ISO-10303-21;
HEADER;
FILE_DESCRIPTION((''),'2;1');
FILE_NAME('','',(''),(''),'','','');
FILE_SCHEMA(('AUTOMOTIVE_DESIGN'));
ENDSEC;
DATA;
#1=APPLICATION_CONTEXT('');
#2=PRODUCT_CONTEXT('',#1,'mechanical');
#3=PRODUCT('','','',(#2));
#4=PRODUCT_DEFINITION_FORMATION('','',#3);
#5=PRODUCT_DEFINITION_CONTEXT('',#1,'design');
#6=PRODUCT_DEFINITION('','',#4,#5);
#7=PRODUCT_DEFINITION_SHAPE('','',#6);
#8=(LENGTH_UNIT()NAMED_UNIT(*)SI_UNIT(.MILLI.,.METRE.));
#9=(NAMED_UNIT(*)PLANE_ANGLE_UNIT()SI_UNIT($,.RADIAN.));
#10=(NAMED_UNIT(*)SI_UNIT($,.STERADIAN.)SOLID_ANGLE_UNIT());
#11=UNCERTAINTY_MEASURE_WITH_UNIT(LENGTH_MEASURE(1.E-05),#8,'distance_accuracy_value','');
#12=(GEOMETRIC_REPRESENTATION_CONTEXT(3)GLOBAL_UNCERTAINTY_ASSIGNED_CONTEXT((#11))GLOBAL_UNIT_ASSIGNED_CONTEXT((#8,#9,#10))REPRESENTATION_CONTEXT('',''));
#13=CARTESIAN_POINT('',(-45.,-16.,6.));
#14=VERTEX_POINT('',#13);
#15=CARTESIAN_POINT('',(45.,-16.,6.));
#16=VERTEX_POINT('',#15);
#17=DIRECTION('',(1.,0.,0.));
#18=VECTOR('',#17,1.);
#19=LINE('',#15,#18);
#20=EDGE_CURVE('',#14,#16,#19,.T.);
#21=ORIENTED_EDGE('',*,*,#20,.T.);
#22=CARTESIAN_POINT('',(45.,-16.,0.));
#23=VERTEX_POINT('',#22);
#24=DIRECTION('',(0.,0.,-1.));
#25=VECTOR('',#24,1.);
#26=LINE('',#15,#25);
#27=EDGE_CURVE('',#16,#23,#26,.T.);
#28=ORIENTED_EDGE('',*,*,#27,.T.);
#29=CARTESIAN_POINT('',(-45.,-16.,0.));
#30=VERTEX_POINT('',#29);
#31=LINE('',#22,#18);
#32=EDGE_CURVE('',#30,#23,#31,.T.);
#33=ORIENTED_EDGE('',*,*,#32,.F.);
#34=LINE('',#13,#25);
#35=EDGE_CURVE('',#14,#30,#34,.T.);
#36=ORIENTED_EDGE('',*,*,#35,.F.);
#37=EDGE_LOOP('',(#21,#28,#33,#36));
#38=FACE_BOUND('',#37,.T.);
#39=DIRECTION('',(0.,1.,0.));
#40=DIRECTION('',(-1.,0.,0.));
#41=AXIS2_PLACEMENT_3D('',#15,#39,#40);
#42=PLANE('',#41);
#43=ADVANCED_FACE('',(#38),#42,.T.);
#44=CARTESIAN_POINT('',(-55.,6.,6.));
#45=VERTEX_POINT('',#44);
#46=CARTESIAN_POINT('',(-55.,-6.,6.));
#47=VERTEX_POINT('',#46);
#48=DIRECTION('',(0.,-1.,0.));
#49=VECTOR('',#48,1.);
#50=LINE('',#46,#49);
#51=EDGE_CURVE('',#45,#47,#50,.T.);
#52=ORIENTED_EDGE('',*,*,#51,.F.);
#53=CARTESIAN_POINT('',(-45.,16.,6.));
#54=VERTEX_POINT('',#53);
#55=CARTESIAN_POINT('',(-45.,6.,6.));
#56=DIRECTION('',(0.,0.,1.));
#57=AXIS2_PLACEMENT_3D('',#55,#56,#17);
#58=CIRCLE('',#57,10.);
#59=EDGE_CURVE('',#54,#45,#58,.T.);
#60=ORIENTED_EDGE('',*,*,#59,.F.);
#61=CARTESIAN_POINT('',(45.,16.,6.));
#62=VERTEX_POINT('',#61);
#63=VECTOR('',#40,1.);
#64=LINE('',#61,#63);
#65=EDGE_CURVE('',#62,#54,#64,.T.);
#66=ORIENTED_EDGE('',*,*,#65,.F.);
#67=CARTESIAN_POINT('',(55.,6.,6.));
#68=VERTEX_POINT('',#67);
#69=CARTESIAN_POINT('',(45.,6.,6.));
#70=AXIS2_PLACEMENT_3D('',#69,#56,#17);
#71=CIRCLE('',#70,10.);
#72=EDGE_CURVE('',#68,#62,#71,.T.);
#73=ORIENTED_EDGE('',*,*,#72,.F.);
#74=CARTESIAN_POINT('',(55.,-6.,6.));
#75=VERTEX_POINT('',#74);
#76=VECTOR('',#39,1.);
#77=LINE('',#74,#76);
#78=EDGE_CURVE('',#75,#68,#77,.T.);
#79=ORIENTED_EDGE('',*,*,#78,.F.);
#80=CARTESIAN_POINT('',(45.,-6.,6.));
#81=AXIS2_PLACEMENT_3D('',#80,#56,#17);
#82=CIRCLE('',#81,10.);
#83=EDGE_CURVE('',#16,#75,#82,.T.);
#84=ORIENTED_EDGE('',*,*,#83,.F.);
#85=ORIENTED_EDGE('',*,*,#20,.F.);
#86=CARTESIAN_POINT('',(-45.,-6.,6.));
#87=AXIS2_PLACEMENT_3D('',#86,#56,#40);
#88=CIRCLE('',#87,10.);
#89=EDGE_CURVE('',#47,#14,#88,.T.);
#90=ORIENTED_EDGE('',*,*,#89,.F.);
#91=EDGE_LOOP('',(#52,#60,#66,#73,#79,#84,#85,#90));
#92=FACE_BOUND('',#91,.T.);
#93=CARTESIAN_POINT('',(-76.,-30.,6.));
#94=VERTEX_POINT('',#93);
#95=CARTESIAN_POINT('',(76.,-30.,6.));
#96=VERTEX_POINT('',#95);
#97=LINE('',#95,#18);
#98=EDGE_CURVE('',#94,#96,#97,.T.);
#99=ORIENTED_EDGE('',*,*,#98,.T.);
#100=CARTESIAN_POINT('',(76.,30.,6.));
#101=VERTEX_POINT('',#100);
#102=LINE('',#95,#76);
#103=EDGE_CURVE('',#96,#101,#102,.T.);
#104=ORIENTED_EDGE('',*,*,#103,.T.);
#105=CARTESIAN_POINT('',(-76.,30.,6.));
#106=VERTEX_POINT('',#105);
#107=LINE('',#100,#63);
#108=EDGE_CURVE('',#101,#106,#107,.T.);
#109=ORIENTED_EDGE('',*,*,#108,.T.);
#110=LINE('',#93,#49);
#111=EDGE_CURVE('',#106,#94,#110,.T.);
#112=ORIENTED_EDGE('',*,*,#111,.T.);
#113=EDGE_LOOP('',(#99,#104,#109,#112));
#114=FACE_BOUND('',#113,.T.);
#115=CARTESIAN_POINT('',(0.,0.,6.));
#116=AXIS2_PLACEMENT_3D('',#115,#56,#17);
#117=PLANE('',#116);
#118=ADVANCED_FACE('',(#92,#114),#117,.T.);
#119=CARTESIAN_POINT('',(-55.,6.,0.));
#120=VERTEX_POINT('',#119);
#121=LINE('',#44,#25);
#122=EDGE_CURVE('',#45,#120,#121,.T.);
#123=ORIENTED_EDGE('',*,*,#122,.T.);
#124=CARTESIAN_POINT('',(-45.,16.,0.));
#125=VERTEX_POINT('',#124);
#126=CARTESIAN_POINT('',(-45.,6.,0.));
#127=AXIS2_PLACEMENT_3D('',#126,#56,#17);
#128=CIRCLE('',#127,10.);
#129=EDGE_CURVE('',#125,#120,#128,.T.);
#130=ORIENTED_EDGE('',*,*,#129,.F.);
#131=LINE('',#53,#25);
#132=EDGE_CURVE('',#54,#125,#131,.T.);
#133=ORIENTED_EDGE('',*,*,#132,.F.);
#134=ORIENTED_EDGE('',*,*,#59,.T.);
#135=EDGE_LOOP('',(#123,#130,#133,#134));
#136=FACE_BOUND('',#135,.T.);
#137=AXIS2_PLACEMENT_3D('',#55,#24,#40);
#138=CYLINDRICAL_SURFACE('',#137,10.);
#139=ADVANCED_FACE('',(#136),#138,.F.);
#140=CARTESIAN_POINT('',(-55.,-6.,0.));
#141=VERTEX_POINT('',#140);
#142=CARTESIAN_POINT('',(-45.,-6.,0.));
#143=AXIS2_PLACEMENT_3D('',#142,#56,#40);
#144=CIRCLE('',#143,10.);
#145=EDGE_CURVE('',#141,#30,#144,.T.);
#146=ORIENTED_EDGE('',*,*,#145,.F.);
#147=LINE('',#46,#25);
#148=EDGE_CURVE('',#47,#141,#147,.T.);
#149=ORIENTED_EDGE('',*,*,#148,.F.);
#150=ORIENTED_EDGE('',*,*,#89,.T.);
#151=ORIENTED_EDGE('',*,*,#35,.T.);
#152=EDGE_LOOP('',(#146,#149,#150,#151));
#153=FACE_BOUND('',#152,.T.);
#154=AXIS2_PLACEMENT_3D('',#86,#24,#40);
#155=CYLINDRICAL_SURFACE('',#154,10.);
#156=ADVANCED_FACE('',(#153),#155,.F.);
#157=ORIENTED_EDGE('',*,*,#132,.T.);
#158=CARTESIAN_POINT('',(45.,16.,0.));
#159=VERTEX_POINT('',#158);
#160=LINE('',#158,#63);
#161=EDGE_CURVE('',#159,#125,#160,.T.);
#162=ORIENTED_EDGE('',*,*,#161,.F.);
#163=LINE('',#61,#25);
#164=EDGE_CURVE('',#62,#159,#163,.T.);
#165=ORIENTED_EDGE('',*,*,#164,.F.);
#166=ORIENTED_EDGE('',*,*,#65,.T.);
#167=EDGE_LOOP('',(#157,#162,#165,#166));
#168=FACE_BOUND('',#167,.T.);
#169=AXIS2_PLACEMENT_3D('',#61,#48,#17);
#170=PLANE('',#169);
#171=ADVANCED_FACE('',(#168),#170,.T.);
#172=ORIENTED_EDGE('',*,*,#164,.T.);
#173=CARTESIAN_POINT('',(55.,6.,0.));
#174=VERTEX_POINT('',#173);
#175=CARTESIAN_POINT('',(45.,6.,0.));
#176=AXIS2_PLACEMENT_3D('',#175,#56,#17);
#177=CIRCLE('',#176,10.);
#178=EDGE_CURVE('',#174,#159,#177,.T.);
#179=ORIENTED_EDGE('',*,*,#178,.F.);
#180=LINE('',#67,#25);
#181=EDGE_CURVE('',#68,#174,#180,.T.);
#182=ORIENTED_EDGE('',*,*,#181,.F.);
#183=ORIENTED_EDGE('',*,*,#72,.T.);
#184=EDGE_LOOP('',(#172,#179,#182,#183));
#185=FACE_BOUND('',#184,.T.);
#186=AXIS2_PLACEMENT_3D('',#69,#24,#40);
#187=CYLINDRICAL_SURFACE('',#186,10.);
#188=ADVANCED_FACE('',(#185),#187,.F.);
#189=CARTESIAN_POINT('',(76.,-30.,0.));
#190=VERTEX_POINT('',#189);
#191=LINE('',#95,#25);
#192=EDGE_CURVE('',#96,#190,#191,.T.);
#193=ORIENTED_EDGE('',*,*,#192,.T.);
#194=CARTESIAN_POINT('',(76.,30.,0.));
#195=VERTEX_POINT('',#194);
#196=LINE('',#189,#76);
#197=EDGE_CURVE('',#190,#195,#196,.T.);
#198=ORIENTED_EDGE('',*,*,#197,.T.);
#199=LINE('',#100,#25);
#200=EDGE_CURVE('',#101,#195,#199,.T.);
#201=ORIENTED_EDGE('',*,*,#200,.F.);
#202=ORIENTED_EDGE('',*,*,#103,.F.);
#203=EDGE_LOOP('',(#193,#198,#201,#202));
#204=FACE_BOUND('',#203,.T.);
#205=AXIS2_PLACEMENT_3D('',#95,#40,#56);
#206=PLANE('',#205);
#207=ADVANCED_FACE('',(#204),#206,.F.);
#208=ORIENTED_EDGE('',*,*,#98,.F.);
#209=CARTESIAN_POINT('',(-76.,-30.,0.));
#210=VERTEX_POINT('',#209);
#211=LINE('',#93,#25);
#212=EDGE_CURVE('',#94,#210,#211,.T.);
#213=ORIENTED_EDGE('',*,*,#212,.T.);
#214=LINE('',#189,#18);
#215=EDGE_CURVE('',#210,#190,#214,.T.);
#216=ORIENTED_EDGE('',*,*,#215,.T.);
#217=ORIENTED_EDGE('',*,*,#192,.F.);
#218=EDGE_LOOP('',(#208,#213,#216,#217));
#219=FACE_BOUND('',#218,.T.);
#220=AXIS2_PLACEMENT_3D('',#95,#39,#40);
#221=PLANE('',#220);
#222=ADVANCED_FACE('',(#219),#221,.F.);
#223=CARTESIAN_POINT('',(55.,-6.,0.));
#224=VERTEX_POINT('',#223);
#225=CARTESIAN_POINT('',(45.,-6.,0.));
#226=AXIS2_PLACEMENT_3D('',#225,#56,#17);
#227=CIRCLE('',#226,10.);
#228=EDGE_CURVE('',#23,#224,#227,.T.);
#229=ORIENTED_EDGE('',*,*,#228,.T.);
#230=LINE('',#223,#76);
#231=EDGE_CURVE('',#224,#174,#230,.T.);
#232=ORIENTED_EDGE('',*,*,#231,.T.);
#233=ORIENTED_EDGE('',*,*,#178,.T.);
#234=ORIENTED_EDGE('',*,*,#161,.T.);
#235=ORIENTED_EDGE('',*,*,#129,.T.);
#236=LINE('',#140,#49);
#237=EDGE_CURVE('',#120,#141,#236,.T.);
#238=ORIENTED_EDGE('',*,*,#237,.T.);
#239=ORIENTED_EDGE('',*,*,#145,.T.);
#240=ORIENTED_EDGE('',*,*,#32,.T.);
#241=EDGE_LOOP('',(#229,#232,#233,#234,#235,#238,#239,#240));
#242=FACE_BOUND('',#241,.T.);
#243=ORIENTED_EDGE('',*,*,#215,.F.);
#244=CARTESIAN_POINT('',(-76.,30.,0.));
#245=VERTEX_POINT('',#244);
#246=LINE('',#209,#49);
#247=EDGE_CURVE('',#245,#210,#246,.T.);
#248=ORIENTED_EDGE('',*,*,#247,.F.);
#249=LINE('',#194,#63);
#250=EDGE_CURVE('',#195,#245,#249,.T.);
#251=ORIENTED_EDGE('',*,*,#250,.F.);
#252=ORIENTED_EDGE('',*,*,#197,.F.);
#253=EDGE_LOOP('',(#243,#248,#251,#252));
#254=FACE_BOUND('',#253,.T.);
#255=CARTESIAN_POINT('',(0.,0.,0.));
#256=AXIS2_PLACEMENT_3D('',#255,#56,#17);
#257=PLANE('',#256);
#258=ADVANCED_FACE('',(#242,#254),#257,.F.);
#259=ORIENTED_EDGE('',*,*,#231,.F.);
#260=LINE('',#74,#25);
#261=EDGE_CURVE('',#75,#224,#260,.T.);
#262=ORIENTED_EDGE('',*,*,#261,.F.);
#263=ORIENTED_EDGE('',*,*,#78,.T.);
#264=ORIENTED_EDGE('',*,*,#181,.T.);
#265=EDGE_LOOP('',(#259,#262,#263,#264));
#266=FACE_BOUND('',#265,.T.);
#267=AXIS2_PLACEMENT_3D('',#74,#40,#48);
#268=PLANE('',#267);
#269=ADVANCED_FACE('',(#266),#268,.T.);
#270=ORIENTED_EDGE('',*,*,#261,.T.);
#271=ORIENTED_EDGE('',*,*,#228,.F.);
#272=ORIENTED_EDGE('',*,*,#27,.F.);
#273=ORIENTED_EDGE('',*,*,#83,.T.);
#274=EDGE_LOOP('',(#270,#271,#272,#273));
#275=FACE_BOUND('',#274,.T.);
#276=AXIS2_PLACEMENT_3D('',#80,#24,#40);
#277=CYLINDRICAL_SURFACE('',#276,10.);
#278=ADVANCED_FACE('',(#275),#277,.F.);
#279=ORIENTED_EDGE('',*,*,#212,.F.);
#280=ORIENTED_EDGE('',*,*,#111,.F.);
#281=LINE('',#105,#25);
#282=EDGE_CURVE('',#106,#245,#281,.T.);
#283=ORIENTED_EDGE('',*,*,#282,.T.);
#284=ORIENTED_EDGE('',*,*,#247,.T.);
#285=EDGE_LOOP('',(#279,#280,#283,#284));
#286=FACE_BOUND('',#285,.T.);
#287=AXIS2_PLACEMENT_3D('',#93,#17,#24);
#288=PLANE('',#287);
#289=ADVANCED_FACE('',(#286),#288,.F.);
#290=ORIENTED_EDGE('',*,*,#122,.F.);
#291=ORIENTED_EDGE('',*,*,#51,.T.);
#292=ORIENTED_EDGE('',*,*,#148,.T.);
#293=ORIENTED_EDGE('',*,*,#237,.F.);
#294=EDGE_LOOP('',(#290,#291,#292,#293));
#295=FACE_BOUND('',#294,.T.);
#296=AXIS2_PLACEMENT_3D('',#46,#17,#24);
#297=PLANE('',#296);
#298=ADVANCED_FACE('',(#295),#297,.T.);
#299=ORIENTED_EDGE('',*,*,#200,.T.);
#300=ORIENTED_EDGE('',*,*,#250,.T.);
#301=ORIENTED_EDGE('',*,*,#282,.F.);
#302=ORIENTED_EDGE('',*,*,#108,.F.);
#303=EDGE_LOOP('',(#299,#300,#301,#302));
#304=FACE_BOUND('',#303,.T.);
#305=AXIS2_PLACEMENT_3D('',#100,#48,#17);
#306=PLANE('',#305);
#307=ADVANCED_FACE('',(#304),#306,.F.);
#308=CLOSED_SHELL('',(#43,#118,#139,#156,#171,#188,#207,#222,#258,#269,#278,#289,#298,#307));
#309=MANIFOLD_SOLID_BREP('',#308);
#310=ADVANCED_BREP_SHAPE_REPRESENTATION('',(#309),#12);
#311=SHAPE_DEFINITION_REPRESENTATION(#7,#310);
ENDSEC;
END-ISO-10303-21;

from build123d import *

# Parameters (mm, degrees)
ESBO_O1_W                = 152
ESBO_O1_H                = 60
RESSALTO_EXTRUS_O2_DEPTH = 6


with BuildPart() as part:
    # Esboço1 → Ressalto-extrusão2 (new body)
    with BuildSketch(Plane.XY):
        Rectangle(ESBO_O1_W, ESBO_O1_H)
        with BuildLine():
            Line((45, -16), (-45, -16))
            ThreePointArc((-45, -16), (-52.071067812, -13.071067812), (-55, -6))
            Line((-55, -6), (-55, 6))
            ThreePointArc((-55, 6), (-52.071067812, 13.071067812), (-45, 16))
            Line((-45, 16), (45, 16))
            ThreePointArc((45, 16), (52.071067812, 13.071067812), (55, 6))
            Line((55, 6), (55, -6))
            ThreePointArc((55, -6), (52.071067812, -13.071067812), (45, -16))
        make_face(mode=Mode.SUBTRACT)
    extrude(amount=RESSALTO_EXTRUS_O2_DEPTH)


solid = part.part
